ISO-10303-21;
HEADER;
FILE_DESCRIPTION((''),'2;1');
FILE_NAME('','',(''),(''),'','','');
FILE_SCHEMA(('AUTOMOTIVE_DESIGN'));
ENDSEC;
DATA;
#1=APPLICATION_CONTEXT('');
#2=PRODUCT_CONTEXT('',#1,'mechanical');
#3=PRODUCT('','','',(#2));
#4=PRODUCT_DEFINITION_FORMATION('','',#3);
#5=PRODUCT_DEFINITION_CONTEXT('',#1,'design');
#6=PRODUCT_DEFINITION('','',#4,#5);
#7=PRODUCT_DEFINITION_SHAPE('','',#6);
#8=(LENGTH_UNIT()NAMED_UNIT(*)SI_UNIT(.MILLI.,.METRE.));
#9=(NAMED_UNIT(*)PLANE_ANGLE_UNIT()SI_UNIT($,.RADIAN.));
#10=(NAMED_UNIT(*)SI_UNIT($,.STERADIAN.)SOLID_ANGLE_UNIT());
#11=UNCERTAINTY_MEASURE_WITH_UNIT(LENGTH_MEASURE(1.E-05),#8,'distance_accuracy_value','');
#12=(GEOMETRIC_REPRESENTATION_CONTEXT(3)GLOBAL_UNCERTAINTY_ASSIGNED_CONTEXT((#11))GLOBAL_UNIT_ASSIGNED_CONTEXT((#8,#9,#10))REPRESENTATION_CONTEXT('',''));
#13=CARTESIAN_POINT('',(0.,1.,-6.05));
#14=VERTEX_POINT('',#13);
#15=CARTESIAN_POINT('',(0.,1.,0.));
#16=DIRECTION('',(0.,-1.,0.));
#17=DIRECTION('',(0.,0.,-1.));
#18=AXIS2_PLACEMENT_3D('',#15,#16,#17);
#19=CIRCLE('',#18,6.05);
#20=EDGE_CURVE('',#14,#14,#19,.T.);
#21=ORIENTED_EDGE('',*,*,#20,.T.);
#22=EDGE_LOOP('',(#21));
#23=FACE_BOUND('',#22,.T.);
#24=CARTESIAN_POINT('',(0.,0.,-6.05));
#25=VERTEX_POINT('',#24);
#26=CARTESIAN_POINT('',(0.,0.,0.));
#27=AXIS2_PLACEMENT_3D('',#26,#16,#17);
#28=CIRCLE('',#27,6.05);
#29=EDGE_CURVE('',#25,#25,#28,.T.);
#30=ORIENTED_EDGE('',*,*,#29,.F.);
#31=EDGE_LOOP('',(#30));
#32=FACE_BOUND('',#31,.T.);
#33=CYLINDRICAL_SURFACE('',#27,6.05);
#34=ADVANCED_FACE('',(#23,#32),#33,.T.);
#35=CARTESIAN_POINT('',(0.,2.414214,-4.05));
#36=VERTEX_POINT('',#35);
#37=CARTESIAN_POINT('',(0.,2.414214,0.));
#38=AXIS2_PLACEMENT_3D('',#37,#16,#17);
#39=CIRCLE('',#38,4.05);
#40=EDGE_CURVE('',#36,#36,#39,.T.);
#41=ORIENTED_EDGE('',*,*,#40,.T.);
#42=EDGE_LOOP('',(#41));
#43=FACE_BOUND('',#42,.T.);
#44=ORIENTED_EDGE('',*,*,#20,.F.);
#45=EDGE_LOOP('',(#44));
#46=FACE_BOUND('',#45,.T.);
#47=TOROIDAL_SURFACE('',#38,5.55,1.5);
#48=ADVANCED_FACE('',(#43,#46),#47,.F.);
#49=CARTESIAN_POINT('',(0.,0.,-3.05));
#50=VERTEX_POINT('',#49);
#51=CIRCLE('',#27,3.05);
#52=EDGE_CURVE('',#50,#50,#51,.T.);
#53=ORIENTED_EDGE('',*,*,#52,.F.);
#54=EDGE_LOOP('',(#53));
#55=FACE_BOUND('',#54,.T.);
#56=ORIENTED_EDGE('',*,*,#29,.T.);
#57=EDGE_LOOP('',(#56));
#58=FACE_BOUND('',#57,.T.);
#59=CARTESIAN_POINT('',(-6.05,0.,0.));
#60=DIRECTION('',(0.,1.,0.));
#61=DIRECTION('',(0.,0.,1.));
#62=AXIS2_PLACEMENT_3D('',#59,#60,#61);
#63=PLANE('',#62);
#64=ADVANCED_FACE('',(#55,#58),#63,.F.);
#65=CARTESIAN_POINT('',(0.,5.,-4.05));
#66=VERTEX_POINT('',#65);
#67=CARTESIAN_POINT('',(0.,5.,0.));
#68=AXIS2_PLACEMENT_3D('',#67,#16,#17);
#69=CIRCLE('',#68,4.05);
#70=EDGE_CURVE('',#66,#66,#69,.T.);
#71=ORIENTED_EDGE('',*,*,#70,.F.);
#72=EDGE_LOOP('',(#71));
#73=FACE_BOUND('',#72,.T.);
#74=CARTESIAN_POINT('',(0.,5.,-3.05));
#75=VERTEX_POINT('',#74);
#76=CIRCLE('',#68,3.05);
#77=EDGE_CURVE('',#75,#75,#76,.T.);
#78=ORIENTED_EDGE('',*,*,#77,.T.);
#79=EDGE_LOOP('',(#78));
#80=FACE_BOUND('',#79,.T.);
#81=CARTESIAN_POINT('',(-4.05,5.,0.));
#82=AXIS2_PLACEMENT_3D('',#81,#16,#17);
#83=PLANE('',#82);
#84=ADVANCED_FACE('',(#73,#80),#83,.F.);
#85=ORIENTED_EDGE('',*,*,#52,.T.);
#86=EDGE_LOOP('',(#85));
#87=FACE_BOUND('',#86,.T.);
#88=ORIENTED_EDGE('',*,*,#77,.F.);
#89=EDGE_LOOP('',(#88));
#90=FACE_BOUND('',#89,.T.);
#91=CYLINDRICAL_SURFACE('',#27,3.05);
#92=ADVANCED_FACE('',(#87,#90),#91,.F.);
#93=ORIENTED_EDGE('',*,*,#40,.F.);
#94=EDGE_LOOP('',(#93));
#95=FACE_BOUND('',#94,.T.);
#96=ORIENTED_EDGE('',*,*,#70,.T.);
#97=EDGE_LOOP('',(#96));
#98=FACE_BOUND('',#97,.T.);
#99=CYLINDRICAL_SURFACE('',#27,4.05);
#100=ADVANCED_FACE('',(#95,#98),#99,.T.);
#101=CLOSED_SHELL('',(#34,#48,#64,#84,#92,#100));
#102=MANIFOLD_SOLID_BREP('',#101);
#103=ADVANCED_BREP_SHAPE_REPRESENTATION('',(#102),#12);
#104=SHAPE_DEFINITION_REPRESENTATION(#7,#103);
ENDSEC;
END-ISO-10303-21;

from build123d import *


with BuildPart() as part:
    # Esquisse1 → Révolution1 (revolve)
    with BuildSketch(Plane.XY, mode=Mode.PRIVATE) as r_volution1_sk:
        with BuildLine():
            Line((-4.05, 5), (-4.05, 2.414213562))
            ThreePointArc((-4.05, 2.414213562), (-4.683974596, 1.189468691), (-6.05, 1))
            Line((-6.05, 1), (-6.05, 0))
            Line((-6.05, 0), (-3.05, 0))
            Line((-3.05, 0), (-3.05, 5))
            Line((-3.05, 5), (-4.05, 5))
        make_face()
    revolve(r_volution1_sk.sketch.rotate(Axis((0, 0, 0), (0, 1, 0)), 270), axis=Axis((0, 0, 0), (0, 1, 0)))


solid = part.part
